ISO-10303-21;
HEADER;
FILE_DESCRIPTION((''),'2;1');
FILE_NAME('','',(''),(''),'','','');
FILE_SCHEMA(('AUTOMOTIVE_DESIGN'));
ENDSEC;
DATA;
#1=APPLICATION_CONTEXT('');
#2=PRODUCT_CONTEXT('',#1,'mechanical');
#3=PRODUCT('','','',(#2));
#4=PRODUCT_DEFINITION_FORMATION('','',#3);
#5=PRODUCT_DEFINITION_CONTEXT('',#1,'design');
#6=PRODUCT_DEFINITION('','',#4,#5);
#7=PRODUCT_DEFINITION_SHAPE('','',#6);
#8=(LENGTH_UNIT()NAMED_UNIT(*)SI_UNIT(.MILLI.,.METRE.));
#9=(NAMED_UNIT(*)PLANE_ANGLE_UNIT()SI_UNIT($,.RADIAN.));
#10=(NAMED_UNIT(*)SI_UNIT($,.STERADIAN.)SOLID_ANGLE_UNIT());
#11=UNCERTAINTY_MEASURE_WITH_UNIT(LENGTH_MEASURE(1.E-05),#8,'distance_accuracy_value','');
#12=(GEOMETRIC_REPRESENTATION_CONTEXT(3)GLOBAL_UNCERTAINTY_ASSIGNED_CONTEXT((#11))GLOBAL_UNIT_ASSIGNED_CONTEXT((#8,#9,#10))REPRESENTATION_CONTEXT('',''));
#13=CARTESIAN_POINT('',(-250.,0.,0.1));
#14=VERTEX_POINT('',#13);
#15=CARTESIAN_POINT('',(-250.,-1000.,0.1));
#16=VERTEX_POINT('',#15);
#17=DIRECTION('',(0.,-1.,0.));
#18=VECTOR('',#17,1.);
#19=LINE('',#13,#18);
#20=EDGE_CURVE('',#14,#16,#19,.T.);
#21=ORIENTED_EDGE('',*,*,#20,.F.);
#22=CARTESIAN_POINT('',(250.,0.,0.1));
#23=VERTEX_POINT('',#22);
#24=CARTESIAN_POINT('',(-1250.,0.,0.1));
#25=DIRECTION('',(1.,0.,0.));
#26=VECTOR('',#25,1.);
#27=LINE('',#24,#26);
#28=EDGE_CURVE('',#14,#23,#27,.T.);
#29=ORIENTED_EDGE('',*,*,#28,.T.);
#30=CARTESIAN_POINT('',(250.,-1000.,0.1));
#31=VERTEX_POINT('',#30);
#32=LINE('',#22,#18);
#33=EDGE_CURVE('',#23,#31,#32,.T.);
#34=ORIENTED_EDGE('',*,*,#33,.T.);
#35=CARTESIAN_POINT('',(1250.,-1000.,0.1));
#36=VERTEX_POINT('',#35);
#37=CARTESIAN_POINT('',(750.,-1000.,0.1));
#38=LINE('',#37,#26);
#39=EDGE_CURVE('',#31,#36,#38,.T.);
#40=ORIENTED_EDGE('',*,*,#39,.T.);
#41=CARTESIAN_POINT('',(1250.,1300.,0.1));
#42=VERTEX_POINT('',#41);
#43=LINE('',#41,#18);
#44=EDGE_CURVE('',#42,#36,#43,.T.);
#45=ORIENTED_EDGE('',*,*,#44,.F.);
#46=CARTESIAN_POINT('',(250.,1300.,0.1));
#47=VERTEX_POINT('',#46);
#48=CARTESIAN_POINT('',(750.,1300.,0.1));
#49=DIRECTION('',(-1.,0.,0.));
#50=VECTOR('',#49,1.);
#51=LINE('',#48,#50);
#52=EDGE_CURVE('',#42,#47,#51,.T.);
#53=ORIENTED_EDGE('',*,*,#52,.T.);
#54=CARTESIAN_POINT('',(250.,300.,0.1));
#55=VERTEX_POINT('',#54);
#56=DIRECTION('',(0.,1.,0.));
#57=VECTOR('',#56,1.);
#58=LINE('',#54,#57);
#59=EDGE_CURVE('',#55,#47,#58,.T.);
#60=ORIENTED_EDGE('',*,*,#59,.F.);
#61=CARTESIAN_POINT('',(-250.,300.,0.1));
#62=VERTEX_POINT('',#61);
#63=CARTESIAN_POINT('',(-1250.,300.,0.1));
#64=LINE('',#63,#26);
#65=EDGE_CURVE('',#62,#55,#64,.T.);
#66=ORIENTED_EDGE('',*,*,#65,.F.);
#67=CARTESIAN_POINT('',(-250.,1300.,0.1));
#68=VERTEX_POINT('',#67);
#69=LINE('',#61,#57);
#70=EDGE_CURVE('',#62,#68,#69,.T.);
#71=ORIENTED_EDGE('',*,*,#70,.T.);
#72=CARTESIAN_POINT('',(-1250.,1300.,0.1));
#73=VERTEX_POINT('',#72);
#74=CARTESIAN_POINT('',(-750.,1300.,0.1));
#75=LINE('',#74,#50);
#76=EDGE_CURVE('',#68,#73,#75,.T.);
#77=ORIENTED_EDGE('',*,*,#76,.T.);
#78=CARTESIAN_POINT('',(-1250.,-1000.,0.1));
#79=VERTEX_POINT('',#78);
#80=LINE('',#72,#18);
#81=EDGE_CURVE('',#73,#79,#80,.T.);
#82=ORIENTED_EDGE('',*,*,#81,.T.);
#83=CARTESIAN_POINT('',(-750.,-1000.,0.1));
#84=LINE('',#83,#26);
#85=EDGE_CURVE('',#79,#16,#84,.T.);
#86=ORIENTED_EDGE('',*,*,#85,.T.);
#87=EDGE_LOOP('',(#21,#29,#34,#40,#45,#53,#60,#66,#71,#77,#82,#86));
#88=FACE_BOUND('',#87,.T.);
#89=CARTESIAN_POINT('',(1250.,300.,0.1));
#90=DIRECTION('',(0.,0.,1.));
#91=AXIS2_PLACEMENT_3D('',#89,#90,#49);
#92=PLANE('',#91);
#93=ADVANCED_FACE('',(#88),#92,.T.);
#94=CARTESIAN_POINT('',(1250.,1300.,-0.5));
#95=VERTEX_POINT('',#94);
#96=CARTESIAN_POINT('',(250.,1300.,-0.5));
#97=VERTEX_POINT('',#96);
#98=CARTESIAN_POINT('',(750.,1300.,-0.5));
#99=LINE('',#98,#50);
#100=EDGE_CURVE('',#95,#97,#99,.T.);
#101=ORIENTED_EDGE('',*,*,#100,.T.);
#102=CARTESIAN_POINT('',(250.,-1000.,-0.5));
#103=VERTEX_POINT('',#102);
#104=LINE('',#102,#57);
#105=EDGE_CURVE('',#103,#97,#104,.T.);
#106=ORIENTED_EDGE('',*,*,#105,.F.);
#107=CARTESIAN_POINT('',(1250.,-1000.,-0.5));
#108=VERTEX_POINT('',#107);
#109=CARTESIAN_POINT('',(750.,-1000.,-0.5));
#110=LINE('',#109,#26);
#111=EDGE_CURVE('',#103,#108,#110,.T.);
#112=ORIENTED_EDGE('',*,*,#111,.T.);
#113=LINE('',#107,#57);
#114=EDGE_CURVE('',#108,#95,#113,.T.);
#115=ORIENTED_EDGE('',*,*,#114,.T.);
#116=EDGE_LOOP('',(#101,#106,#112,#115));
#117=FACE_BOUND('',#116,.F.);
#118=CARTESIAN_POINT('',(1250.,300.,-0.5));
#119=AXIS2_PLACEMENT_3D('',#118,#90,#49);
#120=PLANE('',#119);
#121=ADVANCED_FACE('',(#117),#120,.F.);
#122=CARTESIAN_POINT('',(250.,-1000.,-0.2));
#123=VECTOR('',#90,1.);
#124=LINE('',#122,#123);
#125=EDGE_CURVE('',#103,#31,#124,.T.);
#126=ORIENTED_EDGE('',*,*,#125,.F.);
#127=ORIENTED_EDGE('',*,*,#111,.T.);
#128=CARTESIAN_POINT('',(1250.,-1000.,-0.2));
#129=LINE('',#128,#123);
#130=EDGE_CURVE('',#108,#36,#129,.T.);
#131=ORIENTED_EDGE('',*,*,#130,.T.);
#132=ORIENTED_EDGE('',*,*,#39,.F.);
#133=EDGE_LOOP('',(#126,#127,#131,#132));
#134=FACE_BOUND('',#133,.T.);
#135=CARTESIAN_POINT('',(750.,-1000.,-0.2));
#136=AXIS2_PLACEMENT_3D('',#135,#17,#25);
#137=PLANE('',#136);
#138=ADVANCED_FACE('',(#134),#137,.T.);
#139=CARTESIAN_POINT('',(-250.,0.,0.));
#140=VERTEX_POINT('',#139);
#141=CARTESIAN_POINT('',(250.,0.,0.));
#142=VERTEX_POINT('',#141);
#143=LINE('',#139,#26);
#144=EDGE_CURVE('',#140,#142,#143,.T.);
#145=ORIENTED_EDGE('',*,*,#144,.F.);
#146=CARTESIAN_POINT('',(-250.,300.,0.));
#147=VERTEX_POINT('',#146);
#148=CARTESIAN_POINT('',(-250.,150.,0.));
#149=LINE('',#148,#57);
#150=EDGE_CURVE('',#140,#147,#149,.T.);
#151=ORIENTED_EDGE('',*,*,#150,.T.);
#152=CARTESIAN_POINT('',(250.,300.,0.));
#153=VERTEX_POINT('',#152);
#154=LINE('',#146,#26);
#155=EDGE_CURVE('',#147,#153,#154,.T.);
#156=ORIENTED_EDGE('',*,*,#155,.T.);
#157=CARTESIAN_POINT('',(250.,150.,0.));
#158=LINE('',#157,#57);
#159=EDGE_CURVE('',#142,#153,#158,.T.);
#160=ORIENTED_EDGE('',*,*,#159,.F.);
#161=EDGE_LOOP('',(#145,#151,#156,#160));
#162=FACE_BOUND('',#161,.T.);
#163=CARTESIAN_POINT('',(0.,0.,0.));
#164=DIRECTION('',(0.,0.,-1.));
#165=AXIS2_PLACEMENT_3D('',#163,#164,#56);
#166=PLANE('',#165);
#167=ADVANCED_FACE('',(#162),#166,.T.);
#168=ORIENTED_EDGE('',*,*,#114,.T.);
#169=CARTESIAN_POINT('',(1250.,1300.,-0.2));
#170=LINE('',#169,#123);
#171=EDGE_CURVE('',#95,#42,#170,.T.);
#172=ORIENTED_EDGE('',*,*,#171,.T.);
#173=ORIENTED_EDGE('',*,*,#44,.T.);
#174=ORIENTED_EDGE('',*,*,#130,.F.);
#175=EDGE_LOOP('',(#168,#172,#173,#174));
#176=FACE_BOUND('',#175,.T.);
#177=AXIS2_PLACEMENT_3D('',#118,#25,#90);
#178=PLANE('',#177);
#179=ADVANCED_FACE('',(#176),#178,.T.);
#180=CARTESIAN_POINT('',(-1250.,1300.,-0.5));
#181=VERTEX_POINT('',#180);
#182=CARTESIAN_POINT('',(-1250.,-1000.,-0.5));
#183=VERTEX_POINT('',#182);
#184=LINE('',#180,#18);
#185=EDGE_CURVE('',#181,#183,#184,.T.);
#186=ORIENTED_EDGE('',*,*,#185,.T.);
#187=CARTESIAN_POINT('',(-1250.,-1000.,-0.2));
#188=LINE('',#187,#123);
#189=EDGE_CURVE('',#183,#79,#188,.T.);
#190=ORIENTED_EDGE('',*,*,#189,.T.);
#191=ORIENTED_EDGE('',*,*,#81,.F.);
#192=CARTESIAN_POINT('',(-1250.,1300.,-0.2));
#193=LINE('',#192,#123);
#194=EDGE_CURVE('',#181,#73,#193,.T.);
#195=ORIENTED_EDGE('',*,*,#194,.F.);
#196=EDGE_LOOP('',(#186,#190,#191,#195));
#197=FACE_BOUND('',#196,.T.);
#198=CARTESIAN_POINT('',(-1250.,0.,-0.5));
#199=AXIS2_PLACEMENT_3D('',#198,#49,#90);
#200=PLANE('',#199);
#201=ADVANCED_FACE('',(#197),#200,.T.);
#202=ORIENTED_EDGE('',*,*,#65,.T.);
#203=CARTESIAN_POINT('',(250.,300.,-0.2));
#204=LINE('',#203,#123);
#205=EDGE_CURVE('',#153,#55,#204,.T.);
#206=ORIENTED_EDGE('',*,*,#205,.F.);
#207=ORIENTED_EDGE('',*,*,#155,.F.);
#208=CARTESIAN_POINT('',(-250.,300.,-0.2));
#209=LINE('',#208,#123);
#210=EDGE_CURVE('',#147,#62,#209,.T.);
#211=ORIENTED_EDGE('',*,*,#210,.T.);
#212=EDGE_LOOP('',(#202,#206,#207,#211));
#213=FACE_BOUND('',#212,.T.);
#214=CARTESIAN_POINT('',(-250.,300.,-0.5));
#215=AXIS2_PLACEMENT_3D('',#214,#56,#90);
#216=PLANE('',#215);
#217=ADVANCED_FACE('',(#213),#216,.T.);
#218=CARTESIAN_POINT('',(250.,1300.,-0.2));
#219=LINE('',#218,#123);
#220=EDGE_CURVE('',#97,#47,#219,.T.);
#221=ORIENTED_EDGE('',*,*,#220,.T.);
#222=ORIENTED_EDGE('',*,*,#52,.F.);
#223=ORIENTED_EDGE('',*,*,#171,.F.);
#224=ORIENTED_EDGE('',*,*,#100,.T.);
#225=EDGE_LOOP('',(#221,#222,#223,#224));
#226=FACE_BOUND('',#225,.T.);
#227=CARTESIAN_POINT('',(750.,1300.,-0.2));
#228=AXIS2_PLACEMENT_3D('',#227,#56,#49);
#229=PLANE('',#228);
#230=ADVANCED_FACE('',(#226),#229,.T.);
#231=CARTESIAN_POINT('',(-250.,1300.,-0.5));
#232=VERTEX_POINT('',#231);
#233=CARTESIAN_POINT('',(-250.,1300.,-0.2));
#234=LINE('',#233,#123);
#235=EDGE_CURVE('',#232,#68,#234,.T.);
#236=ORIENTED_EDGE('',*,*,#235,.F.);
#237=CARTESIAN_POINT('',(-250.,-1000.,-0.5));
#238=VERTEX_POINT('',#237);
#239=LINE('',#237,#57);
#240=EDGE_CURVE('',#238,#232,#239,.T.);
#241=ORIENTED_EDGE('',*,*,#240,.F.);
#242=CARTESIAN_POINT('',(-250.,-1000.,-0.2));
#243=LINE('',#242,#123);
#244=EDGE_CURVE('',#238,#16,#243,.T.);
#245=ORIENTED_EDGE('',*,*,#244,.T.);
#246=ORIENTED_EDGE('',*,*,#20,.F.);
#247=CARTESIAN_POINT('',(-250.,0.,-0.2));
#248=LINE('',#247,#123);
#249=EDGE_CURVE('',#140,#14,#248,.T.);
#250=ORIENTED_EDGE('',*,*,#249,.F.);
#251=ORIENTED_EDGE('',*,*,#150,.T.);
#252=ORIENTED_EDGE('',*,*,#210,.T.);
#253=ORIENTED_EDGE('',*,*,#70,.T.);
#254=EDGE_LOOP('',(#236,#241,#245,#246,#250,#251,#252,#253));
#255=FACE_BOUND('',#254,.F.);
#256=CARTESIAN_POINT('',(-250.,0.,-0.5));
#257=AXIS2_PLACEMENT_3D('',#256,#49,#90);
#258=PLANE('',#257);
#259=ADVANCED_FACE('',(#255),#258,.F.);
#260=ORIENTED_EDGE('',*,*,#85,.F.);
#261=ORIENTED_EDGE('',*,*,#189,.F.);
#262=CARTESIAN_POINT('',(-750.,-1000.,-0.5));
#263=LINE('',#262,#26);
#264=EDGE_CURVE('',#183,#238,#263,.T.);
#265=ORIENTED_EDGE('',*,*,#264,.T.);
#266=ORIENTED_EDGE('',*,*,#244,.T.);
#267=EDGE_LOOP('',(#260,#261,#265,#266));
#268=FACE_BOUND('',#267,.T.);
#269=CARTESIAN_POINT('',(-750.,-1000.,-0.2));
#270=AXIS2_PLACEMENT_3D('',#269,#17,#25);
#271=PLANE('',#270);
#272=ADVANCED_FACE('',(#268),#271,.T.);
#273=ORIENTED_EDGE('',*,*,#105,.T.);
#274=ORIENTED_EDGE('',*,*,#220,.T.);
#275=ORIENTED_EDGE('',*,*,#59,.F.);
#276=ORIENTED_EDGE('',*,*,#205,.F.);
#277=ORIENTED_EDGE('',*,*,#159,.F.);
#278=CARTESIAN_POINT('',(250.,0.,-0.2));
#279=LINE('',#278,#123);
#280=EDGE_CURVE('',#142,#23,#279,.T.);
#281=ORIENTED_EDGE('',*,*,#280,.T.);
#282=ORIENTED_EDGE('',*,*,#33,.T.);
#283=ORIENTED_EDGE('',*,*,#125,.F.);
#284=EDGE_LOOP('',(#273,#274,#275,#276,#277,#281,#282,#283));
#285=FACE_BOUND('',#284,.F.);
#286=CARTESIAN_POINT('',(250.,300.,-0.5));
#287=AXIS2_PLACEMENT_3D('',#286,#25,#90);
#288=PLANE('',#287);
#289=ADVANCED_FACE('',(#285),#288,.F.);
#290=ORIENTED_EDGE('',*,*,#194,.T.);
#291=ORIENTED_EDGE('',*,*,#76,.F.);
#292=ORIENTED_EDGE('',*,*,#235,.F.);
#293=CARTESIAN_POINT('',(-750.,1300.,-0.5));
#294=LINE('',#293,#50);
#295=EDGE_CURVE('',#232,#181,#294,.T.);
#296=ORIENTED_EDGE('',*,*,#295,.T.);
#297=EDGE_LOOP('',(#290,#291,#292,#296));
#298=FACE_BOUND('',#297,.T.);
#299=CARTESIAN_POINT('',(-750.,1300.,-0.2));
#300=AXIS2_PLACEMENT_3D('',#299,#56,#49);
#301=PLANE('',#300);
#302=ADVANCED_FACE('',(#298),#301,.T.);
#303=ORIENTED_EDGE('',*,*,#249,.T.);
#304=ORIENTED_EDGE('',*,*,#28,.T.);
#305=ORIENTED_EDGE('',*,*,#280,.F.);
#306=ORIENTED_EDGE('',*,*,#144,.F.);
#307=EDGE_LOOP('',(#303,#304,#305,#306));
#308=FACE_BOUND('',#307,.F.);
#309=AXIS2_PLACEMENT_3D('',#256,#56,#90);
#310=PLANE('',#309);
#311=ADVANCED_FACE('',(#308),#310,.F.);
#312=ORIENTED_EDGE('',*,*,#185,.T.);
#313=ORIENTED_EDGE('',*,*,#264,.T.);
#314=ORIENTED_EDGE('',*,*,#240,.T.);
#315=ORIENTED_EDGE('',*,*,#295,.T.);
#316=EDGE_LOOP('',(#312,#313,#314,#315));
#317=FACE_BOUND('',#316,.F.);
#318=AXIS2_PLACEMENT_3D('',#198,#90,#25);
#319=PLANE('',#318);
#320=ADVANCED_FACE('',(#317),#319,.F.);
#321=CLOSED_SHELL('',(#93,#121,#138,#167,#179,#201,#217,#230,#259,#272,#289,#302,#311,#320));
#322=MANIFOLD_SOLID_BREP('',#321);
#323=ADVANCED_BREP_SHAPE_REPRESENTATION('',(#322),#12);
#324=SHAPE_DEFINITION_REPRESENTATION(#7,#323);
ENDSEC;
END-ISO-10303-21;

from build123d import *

# Parameters (mm, degrees)
F0_W     = 300
F0_H     = 0.1
F1_DEPTH = 250
F2_W     = 300
F2_H     = 0.6
F3_DEPTH = 1000
F4_W     = 300
F4_H     = 0.6
F5_DEPTH = 1000
F6_W     = 1000
F6_H     = 0.6
F7_DEPTH = 1000
F8_W     = 1000
F8_H     = 0.6
F9_DEPTH = 1000


with BuildPart() as f1:
    # F0 (on Right) → F1 (new body, symmetric)
    with BuildSketch(Plane.YZ):
        with Locations((150, 0.05)):
            Rectangle(F0_W, F0_H)
    extrude(amount=F1_DEPTH, both=True)

    # F2 (on face) → F3 (join)
    with BuildSketch(Plane.YZ.offset(250)):
        with Locations((150, -0.2)):
            Rectangle(F2_W, F2_H)
    extrude(amount=F3_DEPTH)

    # F4 (on face) → F5 (join)
    with BuildSketch(Plane(origin=(-250, 0, 0), x_dir=(0, -1, 0), z_dir=(-1, 0, 0))):
        with Locations((-150, -0.2)):
            Rectangle(F4_W, F4_H)
    extrude(amount=F5_DEPTH)

    # F6 (on face) → F7 (join)
    with BuildSketch(Plane.XZ):
        with Locations((-750, -0.2)):
            Rectangle(F6_W, F6_H)
        with Locations((750, -0.2)):
            Rectangle(F6_W, F6_H)
    extrude(amount=F7_DEPTH)

    # F8 (on face) → F9 (join)
    with BuildSketch(Plane(origin=(0, 300, 0), x_dir=(-1, 0, 0), z_dir=(0, 1, 0))):
        with Locations((-750, -0.2)):
            Rectangle(F8_W, F8_H)
        with Locations((750, -0.2)):
            Rectangle(F8_W, F8_H)
    extrude(amount=F9_DEPTH)


solid = f1.part
